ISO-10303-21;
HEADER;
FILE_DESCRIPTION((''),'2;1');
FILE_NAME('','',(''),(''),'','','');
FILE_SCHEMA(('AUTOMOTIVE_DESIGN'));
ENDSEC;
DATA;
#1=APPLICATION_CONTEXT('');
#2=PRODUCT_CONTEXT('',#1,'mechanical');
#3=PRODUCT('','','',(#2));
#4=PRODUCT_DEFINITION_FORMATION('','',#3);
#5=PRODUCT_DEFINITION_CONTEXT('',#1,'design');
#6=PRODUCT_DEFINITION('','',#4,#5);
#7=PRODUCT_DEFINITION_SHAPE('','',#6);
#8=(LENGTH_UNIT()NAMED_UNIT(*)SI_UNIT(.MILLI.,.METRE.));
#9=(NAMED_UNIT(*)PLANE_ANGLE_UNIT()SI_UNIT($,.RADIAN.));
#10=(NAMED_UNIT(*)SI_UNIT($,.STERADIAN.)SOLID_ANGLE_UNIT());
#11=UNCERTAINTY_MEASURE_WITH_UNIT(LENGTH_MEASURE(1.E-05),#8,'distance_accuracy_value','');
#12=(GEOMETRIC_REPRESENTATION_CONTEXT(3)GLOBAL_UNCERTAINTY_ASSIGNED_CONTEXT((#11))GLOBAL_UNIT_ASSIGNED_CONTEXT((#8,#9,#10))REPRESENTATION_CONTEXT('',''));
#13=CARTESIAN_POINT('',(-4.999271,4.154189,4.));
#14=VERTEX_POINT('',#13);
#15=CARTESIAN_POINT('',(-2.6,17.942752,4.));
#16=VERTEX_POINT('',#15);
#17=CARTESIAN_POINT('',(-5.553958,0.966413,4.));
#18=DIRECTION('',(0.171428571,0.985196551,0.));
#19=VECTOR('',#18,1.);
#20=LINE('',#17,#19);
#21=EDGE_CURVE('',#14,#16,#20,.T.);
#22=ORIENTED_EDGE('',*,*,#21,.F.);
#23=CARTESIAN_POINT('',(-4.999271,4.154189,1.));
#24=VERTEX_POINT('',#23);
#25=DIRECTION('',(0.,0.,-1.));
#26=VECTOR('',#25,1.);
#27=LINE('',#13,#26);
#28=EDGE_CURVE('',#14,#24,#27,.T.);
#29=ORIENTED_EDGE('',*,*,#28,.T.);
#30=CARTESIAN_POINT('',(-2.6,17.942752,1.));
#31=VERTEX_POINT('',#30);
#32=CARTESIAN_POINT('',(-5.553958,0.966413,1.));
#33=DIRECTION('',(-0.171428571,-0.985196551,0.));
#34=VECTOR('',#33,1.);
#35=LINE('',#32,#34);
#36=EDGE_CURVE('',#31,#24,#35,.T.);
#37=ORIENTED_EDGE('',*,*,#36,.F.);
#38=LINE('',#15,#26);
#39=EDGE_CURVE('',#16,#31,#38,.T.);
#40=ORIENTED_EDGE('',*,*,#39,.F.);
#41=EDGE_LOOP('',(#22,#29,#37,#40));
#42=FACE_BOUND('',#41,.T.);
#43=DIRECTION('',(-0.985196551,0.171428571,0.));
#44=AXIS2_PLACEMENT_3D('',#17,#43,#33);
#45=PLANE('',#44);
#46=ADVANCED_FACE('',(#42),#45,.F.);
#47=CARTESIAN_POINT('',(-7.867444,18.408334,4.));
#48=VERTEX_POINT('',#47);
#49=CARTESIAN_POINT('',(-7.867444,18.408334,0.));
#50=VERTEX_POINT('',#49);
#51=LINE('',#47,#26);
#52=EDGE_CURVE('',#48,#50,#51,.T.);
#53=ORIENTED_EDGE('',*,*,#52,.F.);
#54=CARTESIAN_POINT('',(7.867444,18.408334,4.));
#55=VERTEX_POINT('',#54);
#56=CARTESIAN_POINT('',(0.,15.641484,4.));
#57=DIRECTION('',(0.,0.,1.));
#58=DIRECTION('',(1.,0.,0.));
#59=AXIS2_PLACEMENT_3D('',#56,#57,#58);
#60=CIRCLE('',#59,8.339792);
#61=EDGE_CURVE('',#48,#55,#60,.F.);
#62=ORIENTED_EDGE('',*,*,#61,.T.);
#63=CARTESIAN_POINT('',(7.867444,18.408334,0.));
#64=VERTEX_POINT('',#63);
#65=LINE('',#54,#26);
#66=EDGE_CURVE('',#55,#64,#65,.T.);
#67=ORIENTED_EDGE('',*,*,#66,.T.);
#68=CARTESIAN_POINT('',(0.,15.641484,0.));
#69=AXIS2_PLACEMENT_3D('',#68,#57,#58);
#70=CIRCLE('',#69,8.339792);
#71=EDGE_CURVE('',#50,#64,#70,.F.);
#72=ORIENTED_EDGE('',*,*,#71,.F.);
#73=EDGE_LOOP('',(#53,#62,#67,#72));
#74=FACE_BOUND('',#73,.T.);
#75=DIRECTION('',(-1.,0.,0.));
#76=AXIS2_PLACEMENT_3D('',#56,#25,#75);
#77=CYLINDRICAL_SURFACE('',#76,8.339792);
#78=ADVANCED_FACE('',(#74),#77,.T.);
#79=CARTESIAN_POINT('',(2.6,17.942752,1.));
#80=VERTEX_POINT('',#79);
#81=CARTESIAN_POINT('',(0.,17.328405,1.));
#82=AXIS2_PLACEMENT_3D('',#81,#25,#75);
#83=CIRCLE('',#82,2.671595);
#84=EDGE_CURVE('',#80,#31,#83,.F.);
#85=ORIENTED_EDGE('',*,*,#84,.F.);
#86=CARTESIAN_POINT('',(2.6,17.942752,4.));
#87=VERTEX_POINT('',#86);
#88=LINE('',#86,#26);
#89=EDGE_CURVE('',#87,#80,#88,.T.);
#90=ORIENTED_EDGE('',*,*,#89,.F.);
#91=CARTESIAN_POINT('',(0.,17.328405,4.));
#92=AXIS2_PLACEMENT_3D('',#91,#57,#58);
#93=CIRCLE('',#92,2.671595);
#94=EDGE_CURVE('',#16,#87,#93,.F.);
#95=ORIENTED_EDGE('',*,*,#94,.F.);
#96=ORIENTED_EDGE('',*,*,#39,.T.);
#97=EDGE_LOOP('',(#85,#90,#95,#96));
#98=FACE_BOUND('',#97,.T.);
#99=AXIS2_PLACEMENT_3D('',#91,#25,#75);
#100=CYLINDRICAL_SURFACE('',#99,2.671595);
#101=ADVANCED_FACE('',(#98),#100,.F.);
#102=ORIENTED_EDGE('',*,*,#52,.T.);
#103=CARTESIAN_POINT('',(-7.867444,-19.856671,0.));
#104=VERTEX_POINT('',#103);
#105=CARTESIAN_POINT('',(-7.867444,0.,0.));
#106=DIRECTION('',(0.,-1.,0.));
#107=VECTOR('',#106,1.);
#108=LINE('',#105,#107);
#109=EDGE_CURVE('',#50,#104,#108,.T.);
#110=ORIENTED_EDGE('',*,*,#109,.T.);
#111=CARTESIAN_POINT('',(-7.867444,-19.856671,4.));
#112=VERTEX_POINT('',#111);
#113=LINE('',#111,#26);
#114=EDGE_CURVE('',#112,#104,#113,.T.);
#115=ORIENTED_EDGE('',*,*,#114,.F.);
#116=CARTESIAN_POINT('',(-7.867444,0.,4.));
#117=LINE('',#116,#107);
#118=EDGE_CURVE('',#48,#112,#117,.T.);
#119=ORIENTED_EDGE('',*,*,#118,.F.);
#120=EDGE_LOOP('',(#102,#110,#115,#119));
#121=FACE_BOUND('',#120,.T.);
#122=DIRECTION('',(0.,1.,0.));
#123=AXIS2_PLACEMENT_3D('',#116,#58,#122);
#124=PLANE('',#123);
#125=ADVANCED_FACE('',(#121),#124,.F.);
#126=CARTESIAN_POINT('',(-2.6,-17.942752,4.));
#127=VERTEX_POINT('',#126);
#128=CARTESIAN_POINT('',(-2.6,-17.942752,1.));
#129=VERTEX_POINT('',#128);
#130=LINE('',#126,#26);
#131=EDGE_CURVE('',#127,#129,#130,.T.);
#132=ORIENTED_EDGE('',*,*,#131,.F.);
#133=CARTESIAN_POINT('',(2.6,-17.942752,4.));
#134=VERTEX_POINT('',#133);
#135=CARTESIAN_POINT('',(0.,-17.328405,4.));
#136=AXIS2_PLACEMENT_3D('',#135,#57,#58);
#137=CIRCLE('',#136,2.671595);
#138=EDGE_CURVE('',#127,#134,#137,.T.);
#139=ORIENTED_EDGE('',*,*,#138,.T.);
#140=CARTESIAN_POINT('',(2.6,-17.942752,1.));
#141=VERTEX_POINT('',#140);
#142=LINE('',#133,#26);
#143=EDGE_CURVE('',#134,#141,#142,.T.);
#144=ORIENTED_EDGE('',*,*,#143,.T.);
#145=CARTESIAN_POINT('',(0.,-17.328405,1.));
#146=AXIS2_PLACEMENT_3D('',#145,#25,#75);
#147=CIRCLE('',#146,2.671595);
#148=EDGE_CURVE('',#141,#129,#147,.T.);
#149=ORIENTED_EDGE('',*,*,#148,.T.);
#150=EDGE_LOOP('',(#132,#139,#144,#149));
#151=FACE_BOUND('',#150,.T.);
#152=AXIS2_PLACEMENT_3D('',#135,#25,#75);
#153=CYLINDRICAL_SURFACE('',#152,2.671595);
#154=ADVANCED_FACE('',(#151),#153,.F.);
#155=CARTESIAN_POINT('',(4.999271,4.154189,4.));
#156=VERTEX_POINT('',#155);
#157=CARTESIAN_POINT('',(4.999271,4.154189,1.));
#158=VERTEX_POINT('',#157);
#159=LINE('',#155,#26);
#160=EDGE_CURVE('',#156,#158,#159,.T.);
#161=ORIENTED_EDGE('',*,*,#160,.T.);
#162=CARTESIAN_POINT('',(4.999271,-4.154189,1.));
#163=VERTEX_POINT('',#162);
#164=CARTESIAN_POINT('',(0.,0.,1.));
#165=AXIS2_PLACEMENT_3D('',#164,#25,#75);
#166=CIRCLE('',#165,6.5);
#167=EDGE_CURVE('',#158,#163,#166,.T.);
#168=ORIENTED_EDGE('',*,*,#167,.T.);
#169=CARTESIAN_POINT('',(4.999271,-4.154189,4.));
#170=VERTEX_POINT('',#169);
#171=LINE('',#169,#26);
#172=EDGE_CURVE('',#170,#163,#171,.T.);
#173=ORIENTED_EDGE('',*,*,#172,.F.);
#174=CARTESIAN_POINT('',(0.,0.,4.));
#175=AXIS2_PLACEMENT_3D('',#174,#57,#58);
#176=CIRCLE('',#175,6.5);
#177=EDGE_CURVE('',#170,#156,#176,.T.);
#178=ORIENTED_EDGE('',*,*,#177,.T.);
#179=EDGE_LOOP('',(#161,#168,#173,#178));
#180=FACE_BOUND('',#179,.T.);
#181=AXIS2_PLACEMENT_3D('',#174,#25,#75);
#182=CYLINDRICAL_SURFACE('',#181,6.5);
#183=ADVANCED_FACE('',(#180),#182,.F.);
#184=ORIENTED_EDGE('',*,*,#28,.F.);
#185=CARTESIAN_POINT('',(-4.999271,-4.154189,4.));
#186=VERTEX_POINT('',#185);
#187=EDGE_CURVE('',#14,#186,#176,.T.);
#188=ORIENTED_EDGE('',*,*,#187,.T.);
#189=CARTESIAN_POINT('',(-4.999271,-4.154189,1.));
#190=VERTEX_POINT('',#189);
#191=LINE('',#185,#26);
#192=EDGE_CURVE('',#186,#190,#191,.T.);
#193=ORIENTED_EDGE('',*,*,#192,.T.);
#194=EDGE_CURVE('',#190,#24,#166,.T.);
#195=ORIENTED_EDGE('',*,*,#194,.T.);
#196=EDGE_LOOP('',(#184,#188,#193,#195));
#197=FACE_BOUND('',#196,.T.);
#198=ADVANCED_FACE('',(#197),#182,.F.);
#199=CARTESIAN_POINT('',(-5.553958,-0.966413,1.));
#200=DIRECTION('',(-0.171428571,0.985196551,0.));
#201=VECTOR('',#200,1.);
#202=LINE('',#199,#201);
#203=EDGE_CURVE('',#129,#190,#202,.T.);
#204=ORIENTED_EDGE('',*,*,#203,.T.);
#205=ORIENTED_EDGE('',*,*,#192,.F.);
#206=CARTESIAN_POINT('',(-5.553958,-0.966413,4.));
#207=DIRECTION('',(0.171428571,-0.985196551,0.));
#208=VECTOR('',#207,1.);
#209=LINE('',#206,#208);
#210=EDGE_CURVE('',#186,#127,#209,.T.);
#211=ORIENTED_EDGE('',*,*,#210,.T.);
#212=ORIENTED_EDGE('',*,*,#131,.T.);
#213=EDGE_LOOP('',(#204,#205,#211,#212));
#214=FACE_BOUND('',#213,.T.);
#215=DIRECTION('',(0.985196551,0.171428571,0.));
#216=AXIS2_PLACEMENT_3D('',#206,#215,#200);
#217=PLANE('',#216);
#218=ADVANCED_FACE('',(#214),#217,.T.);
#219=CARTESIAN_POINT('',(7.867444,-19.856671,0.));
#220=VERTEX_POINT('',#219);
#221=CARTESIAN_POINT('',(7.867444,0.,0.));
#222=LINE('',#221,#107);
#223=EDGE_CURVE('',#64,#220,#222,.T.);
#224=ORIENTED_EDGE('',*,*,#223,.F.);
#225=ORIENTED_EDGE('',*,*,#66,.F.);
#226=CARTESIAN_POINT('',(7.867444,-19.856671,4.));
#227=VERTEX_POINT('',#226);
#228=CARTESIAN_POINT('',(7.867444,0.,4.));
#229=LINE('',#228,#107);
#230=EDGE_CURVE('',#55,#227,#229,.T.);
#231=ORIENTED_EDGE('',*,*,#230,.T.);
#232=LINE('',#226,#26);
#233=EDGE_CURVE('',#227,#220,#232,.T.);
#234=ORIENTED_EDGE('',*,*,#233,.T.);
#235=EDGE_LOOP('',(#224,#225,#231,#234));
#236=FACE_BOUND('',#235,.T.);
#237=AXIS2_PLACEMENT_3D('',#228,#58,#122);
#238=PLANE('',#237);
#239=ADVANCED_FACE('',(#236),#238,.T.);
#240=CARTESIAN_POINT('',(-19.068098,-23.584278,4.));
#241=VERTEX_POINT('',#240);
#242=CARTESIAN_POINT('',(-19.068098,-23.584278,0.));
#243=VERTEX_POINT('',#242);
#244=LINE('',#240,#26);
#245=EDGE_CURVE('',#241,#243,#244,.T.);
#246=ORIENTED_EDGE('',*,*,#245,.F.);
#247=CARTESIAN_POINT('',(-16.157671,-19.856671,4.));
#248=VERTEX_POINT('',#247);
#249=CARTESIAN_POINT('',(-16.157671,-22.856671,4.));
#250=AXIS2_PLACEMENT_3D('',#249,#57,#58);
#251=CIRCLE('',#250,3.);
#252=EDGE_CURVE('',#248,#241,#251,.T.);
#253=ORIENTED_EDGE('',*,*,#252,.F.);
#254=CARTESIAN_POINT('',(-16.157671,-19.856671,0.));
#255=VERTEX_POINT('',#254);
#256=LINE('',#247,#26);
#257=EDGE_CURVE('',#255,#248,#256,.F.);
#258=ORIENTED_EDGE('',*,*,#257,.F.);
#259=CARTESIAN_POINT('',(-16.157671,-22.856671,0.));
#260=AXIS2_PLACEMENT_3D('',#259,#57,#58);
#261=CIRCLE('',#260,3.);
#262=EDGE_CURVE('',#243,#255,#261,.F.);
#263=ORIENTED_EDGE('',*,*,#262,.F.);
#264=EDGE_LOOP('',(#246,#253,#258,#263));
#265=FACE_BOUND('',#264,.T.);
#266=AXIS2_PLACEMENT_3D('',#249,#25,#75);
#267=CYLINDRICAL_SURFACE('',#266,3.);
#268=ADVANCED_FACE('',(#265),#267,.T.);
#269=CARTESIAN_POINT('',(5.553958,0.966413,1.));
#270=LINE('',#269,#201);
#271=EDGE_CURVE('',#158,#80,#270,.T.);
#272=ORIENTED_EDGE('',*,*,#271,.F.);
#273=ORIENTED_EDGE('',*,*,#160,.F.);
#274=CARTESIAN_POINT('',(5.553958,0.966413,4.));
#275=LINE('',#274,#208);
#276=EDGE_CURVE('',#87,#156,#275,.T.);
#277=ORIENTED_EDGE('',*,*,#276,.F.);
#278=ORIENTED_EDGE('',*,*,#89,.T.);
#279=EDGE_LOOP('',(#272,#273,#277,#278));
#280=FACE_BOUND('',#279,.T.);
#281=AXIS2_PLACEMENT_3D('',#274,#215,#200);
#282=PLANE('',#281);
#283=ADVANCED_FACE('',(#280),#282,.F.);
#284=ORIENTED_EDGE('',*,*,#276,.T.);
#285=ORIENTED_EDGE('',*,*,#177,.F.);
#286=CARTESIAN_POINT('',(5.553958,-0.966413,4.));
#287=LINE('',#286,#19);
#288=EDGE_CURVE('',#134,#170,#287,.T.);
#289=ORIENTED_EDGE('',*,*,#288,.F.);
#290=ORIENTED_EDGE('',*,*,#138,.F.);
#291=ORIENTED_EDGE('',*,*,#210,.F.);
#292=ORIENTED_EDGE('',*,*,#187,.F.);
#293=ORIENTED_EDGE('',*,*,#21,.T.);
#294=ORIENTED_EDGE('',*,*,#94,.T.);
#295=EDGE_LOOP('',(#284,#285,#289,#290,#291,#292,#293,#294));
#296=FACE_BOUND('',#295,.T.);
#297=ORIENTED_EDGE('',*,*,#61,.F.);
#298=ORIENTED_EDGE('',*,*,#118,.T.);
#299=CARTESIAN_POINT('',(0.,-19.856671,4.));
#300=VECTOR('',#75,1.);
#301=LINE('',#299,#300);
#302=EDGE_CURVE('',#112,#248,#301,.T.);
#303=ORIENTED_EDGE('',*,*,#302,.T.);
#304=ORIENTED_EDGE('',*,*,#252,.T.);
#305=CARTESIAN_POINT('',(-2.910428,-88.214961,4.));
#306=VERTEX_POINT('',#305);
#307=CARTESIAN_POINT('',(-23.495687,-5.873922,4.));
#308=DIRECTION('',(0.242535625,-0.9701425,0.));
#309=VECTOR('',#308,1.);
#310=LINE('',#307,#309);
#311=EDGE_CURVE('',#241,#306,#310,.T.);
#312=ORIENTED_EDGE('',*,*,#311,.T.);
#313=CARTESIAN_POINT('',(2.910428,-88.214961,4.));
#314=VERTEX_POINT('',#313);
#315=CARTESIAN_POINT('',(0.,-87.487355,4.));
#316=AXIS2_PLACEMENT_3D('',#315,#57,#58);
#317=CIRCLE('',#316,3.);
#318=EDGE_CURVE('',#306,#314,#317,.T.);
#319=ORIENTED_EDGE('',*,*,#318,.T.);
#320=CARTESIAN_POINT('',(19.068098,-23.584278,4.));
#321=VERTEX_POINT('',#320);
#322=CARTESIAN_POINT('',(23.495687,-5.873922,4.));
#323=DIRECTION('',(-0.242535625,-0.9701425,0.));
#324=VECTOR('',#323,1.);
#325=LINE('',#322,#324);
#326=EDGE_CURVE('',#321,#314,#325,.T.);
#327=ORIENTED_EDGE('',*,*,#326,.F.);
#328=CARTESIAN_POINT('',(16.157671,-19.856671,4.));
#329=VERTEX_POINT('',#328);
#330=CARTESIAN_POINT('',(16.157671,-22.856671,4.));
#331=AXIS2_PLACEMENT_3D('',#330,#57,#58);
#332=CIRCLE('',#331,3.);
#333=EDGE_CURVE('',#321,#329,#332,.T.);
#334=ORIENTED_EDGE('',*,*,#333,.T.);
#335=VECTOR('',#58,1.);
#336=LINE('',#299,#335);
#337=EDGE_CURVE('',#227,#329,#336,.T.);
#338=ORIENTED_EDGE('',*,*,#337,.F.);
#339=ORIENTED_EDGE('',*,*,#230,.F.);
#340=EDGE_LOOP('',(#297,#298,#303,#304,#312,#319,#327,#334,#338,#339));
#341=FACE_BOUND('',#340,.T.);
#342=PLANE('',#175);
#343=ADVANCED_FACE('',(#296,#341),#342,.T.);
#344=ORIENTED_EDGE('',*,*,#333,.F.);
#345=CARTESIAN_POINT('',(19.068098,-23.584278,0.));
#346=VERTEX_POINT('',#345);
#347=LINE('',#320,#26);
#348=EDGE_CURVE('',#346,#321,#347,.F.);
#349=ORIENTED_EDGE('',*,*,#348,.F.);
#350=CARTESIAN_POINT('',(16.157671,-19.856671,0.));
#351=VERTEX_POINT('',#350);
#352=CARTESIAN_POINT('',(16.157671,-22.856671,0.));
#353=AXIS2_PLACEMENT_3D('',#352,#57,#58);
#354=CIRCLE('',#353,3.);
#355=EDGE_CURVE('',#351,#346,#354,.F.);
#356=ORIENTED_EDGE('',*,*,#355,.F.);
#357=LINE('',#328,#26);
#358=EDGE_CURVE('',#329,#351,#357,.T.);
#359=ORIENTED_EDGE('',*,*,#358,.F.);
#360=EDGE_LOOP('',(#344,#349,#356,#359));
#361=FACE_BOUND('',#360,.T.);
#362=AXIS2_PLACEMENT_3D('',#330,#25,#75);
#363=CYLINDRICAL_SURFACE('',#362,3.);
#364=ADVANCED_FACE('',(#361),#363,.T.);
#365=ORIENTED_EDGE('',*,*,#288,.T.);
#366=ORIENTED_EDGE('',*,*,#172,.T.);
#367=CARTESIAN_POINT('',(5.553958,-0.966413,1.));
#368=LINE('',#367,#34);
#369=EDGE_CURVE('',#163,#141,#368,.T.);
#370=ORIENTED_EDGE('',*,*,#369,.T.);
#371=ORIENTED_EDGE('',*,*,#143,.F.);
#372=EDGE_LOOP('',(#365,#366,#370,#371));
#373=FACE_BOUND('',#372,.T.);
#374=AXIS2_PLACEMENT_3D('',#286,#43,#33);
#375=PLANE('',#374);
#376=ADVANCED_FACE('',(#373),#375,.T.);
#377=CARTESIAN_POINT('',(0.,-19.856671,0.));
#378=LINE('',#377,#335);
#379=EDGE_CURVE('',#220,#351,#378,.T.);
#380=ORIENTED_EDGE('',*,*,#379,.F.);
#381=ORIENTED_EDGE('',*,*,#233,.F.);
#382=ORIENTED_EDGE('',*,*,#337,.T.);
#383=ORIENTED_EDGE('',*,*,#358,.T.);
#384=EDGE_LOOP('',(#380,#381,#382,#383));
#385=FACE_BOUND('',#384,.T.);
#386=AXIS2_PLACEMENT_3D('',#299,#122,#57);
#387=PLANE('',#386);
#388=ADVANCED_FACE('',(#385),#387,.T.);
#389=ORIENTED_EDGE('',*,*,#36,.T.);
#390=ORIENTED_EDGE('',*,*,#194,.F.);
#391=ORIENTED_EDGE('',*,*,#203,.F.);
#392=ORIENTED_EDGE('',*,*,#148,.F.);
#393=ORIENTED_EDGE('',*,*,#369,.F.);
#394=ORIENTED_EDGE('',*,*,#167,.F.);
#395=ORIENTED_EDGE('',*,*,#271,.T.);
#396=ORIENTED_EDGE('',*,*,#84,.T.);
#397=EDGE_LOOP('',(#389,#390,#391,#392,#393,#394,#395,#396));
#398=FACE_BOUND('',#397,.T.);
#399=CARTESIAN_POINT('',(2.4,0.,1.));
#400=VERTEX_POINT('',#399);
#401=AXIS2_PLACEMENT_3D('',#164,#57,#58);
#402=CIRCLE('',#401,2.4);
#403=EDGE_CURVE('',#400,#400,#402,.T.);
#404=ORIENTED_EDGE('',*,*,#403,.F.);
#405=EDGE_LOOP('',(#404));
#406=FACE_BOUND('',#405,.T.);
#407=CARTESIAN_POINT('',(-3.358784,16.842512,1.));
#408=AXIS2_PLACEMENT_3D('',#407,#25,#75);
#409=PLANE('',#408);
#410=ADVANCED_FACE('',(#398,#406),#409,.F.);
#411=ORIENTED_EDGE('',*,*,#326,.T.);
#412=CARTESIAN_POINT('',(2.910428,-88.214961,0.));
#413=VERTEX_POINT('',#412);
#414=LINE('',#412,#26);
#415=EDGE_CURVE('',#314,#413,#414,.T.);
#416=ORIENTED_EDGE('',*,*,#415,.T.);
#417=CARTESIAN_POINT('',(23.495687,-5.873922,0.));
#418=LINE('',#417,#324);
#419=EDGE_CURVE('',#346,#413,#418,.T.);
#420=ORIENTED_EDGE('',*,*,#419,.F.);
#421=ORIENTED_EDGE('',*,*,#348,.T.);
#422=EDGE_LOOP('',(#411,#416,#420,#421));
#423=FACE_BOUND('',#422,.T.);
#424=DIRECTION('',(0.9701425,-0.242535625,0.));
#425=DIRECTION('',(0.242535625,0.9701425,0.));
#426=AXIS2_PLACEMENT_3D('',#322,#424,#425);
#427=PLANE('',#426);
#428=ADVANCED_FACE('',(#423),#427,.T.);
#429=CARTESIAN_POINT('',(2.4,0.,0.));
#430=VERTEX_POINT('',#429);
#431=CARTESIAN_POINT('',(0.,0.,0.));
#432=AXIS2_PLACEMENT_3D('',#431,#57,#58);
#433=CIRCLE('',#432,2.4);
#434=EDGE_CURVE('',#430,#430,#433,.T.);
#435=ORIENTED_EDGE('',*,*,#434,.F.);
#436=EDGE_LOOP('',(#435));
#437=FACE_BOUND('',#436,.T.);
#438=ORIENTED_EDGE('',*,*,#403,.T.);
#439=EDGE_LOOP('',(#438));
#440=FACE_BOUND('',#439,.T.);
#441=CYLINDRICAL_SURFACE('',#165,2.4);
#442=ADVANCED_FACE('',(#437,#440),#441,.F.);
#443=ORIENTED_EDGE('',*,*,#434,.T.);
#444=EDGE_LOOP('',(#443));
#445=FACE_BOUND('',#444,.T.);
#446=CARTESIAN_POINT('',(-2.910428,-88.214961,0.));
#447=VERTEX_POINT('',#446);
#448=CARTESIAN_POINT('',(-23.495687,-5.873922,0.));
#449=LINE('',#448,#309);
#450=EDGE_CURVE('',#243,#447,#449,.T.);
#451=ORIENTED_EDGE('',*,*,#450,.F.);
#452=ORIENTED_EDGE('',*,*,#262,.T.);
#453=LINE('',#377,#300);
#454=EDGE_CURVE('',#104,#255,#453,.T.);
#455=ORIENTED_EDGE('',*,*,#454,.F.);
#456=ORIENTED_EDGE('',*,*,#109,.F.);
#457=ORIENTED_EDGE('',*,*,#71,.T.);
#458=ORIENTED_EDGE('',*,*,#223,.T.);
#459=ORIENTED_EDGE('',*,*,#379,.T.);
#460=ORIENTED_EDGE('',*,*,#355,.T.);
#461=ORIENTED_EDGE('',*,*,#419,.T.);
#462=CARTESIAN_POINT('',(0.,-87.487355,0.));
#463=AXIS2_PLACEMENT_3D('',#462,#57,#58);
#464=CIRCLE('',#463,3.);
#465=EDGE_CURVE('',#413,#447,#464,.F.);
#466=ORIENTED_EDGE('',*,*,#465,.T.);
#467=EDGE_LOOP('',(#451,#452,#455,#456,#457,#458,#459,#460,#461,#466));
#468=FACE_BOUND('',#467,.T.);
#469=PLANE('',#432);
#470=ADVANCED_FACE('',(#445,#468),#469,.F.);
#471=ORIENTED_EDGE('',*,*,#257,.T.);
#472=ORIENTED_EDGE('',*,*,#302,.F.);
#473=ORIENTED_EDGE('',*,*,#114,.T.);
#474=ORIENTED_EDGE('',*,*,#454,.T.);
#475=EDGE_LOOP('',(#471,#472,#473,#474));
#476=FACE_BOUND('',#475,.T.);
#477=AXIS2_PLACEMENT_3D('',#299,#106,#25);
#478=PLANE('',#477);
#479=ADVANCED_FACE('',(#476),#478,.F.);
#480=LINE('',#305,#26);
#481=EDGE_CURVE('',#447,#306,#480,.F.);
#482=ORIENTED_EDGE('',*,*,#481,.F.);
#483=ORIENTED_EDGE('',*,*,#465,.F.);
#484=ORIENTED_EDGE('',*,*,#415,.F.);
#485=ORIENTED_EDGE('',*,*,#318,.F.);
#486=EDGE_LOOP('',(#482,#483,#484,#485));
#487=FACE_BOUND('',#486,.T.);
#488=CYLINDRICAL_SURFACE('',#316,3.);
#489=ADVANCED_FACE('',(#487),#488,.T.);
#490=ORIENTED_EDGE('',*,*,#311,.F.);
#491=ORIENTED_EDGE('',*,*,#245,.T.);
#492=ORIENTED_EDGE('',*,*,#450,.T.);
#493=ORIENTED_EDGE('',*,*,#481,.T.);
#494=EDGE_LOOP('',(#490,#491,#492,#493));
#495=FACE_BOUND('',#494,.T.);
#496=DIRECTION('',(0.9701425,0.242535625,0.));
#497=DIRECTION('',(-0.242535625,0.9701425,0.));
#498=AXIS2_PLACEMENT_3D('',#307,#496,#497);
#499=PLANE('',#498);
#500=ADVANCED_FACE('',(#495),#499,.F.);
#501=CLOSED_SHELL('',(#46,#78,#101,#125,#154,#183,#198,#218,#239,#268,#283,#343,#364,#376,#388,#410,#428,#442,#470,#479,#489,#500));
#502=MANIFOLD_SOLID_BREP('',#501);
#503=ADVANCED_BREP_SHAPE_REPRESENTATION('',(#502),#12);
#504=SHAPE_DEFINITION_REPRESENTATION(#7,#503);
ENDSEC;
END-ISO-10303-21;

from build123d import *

# Parameters (mm, degrees)
EXTRUDE_1_DEPTH = 4
SKETCH_2_R      = 2.4
EXTRUDE_2_DEPTH = 1
FILLET_1_R      = 3


with BuildPart() as part:
    # 草圖1 → 填料-伸長1 (new body)
    with BuildSketch(Plane.XY):
        with BuildLine():
            Line((-7.867443673, 18.408334232), (-7.867443673, -19.856671438))
            Line((-7.867443673, -19.856671438), (-20, -19.856671438))
            Line((-20, -19.856671438), (0, -99.856671438))
            Line((0, -99.856671438), (20, -19.856671438))
            Line((20, -19.856671438), (7.867443673, -19.856671438))
            Line((7.867443673, -19.856671438), (7.867443673, 18.408334232))
            ThreePointArc((7.867443673, 18.408334232), (0, 23.981275915), (-7.867443673, 18.408334232))
        make_face()
        with BuildLine():
            ThreePointArc((-4.999271035, -4.154189345), (-6.5, 0), (-4.999271035, 4.154189345))
            Line((-4.999271035, 4.154189345), (-2.6, 17.94275172))
            ThreePointArc((-2.6, 17.94275172), (0, 20), (2.6, 17.94275172))
            Line((2.6, 17.94275172), (4.999271035, 4.154189345))
            ThreePointArc((4.999271035, 4.154189345), (6.5, 0), (4.999271035, -4.154189345))
            Line((4.999271035, -4.154189345), (2.6, -17.94275172))
            ThreePointArc((2.6, -17.94275172), (0, -20), (-2.6, -17.94275172))
            Line((-2.6, -17.94275172), (-4.999271035, -4.154189345))
        make_face(mode=Mode.SUBTRACT)
    extrude(amount=EXTRUDE_1_DEPTH)

    # 草圖2 → 填料-伸長2 (add)
    with BuildSketch(Plane.XY):
        with BuildLine():
            Line((-3.702325647, 20.172267208), (4.497563026, 20.172267208))
            ThreePointArc((4.497563026, 20.172267208), (6.068658829, 19.068237677), (7.032818959, 17.407629814))
            Line((7.032818959, 17.407629814), (7.032818959, -20.628324178))
            Line((7.032818959, -20.628324178), (-6.646673958, -20.628324178))
            Line((-6.646673958, -20.628324178), (-6.646673958, 17.471058727))
            ThreePointArc((-6.646673958, 17.471058727), (-5.621736824, 19.309156464), (-3.702325647, 20.172267208))
        make_face()
        Circle(SKETCH_2_R, mode=Mode.SUBTRACT)
    extrude(amount=EXTRUDE_2_DEPTH)

    # 圓角1
    fillet_1_edges = [part.edges().sort_by_distance(p)[0] for p in [
        (20, -19.856671438, 2),
        (0, -99.856671438, 2),
        (-20, -19.856671438, 2),
    ]]
    fillet(fillet_1_edges, radius=FILLET_1_R)


solid = part.part
